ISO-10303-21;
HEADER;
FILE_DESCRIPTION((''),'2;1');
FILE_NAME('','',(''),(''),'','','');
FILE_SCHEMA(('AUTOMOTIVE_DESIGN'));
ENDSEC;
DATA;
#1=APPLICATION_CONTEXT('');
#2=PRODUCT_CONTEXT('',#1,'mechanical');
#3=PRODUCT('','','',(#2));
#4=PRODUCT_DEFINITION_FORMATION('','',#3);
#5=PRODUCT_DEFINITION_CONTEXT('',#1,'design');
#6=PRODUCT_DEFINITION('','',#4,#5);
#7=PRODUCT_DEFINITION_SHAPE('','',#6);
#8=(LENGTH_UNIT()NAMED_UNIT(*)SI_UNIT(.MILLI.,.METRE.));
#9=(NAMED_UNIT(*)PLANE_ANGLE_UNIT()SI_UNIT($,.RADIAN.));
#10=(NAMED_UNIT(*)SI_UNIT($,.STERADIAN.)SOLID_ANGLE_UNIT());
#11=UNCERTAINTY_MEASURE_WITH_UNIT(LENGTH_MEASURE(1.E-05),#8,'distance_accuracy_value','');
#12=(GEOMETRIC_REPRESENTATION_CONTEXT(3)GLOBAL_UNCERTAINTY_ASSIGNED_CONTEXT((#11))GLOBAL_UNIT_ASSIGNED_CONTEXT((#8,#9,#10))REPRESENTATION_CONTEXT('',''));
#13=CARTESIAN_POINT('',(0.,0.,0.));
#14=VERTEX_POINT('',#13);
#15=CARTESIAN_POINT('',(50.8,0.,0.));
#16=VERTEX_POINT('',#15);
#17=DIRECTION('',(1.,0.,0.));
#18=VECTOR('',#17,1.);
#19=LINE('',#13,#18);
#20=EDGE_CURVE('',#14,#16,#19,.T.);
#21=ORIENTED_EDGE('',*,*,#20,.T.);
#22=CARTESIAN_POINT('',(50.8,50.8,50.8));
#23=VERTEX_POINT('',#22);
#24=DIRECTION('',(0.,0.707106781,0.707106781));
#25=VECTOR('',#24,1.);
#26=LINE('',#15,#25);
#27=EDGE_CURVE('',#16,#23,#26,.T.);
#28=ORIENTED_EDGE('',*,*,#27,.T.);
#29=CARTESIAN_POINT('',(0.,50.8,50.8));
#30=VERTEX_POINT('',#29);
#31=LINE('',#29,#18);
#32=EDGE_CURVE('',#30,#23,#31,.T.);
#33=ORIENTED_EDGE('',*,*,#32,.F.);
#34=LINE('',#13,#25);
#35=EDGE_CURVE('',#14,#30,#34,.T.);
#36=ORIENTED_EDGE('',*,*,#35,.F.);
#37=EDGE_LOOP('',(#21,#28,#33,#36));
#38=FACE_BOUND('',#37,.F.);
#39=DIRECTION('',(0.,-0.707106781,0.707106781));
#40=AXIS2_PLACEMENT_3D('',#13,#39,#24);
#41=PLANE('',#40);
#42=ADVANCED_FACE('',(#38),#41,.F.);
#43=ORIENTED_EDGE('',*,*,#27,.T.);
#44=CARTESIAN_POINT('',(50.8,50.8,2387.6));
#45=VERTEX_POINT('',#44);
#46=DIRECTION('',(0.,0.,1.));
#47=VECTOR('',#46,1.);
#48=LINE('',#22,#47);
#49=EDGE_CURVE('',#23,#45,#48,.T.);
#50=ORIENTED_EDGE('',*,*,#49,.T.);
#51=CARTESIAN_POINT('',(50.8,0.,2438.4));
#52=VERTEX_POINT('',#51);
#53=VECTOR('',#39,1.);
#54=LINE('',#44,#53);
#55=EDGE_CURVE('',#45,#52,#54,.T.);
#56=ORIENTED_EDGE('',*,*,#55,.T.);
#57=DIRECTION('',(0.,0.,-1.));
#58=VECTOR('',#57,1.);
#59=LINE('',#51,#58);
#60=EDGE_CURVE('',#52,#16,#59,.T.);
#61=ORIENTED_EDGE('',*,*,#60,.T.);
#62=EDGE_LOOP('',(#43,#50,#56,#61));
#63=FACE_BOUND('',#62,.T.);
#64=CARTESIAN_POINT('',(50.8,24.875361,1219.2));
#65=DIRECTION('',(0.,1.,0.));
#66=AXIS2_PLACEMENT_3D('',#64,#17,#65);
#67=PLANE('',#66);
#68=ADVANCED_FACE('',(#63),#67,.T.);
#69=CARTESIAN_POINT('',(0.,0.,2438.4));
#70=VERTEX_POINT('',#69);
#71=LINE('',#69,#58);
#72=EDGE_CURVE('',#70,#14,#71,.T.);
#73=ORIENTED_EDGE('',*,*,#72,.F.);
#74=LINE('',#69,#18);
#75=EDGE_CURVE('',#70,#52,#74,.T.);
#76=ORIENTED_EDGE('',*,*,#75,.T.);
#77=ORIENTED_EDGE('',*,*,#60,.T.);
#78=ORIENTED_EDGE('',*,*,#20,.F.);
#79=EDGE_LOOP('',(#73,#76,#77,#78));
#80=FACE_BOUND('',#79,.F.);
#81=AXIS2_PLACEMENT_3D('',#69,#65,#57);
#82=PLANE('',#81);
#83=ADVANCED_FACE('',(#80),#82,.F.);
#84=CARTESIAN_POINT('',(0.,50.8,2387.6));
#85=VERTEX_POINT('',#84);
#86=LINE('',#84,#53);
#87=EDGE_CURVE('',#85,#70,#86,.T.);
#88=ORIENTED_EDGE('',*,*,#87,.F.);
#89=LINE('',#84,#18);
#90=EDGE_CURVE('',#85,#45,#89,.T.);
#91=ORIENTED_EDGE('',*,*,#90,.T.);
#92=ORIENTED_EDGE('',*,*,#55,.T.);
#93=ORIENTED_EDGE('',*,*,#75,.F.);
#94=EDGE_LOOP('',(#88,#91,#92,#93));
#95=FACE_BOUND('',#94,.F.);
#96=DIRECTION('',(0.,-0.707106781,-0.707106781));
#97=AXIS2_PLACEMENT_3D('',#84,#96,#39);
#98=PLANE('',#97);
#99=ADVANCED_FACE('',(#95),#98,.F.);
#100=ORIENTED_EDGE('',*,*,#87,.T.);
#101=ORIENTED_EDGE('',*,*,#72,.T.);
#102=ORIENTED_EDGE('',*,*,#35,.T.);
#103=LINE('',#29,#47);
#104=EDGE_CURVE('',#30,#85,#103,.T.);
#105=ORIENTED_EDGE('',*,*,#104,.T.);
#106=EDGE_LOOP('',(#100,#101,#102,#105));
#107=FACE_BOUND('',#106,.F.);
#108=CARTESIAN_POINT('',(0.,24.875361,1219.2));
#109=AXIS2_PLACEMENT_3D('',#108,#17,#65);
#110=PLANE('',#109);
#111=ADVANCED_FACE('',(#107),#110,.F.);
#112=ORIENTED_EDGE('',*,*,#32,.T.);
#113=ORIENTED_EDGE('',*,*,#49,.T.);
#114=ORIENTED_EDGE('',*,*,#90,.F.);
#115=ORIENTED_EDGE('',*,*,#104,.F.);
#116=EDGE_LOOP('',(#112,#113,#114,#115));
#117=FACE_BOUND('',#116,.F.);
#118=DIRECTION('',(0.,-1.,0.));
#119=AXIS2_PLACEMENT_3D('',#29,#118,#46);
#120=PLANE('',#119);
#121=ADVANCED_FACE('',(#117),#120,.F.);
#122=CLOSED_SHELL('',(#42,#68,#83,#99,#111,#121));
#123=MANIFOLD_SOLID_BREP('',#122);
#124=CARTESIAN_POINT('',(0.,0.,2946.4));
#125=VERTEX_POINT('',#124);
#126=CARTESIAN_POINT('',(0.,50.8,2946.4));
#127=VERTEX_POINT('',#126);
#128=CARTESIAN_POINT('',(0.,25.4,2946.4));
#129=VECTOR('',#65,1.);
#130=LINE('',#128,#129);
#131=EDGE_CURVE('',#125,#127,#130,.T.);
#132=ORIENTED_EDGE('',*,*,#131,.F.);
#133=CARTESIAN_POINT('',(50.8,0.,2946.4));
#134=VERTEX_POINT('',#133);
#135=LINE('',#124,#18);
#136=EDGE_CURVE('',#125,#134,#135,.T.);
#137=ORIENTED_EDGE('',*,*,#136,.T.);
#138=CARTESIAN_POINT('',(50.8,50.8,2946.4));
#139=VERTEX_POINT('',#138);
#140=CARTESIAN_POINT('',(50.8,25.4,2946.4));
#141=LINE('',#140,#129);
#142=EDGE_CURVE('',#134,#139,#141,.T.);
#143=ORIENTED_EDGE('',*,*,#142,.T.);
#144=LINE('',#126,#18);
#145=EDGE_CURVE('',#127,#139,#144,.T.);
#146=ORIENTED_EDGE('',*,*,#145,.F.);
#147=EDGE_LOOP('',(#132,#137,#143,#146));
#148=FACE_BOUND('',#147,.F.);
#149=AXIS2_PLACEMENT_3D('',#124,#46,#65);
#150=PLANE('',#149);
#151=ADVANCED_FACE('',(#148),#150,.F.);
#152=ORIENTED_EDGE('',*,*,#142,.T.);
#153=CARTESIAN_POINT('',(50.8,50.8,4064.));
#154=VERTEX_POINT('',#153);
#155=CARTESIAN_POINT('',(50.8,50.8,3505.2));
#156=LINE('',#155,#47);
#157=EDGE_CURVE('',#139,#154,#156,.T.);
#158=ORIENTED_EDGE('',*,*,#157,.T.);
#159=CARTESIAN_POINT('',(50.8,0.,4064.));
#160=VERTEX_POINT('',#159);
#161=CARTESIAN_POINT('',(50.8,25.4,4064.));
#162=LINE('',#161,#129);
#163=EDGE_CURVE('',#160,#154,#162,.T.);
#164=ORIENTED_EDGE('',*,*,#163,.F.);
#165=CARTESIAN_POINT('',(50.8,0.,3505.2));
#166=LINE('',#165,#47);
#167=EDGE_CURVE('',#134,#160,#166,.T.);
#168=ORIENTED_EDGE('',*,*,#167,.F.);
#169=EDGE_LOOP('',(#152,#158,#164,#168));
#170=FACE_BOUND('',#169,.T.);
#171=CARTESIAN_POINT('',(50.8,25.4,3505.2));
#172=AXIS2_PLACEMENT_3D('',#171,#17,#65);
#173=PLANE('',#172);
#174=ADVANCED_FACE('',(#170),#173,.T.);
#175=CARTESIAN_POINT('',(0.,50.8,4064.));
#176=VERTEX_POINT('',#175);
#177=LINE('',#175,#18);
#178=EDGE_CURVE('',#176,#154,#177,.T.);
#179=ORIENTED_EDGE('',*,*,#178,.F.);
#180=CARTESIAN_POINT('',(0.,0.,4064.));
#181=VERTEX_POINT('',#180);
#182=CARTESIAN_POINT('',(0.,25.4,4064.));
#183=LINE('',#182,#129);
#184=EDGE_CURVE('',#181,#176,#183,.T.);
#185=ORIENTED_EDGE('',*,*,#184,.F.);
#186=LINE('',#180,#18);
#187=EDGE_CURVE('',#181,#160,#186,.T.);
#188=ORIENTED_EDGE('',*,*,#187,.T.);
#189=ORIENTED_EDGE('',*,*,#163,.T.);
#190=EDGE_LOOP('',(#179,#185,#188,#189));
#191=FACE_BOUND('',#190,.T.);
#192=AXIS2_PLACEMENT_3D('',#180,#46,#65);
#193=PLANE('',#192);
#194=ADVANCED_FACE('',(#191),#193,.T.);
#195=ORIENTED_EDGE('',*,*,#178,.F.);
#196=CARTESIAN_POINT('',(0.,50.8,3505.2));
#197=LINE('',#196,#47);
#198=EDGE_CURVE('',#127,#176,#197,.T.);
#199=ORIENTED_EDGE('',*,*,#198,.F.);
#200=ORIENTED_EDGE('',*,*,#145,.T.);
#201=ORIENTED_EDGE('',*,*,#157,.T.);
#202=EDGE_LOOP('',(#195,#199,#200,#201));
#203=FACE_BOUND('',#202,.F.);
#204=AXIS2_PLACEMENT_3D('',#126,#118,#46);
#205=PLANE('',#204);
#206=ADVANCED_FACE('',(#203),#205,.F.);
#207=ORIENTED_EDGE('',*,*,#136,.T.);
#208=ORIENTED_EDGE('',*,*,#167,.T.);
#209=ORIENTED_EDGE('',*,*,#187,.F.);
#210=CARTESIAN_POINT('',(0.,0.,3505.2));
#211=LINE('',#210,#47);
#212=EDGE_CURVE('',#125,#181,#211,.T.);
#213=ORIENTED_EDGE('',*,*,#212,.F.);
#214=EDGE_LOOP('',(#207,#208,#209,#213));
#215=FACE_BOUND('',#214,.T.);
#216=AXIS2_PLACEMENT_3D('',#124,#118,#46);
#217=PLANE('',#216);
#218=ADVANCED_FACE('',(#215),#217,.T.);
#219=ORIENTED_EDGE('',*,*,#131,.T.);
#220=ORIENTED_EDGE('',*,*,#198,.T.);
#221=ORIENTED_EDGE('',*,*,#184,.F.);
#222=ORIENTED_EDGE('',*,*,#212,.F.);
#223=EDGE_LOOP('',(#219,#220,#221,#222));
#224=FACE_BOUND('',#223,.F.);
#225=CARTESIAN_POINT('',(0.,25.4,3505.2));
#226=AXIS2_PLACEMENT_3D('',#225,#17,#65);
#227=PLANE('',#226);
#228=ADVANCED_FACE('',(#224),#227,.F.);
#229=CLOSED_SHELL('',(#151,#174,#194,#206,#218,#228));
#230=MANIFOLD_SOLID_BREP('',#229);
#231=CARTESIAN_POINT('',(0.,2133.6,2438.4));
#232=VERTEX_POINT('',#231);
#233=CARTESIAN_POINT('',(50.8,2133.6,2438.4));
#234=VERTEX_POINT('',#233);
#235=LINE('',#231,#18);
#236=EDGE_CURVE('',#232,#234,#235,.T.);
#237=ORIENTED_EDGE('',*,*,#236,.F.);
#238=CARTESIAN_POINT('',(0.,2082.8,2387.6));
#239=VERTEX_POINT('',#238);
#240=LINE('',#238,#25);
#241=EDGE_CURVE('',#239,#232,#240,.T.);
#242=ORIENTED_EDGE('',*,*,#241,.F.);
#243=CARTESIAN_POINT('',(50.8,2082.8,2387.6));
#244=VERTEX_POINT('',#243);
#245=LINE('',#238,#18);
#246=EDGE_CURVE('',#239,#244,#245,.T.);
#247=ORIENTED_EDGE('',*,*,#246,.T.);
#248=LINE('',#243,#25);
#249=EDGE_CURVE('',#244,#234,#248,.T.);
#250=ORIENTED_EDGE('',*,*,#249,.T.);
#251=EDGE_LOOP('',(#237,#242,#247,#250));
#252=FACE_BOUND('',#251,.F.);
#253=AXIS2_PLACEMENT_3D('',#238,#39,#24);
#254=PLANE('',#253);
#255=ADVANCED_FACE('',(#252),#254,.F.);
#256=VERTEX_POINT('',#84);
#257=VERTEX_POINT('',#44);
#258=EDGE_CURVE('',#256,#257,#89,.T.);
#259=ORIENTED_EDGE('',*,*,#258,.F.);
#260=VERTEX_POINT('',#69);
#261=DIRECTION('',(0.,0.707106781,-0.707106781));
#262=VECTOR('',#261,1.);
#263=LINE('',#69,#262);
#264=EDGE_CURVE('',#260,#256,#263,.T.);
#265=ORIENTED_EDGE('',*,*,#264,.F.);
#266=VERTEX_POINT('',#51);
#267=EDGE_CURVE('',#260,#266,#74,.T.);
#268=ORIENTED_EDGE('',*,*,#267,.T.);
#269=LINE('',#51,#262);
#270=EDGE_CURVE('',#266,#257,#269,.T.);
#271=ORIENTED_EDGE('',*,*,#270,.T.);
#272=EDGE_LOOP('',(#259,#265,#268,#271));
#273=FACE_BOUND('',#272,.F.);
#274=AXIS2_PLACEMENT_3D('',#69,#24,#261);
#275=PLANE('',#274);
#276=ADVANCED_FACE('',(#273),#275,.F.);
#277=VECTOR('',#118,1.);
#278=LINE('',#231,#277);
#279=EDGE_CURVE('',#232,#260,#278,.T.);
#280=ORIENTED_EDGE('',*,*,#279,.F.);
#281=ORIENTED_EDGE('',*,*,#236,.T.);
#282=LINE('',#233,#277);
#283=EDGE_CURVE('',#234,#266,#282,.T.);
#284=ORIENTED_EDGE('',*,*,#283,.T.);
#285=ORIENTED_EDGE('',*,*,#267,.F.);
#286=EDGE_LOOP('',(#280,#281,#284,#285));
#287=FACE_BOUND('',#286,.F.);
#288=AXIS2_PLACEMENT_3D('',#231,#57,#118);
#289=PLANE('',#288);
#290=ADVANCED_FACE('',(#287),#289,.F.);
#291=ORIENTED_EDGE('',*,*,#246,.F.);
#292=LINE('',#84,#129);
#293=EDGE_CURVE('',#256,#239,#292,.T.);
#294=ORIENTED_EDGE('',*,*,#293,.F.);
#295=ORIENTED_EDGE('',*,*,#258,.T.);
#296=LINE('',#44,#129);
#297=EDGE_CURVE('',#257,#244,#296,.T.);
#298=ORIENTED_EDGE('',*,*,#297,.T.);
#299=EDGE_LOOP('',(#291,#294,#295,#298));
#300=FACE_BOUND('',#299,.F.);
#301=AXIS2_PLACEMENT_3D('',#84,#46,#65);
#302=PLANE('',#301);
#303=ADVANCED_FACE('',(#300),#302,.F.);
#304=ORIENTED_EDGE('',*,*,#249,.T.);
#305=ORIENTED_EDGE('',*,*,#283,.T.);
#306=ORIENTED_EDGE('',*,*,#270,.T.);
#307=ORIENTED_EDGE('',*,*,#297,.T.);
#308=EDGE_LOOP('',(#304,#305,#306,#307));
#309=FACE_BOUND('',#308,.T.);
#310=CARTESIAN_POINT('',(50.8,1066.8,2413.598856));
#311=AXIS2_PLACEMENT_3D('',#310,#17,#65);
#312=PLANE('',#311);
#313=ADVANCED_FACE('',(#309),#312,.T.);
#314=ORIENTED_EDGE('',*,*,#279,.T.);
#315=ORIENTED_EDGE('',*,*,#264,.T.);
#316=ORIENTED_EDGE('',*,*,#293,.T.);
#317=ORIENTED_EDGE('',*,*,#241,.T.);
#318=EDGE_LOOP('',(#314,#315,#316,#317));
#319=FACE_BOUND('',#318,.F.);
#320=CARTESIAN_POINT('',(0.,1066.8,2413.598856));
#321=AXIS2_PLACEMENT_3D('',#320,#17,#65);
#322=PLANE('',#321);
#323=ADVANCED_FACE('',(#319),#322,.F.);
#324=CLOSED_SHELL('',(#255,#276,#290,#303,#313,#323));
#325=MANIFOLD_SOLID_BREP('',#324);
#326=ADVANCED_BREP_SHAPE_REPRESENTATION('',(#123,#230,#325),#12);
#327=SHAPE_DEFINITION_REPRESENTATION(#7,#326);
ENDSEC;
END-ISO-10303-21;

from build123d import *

# Parameters (mm, degrees)
F2_DEPTH = 50.8
F4_DEPTH = 50.8
F5_W     = 50.8
F5_H     = 1117.6
F6_DEPTH = 50.8


with BuildPart() as f2:
    # F1 (on Right) → F2 (new body)
    with BuildSketch(Plane.YZ):
        Polygon((50.8, 2387.6), (0, 2438.4), (0, 0), (50.8, 50.8), align=None)
    extrude(amount=F2_DEPTH)


with BuildPart() as f4:
    # F3 (on Right) → F4 (new body)
    with BuildSketch(Plane.YZ):
        Polygon((2133.6, 2438.4), (0, 2438.4), (50.8, 2387.6), (2082.8, 2387.6), align=None)
    extrude(amount=F4_DEPTH)


with BuildPart() as f6:
    # F5 (on Right) → F6 (new body)
    with BuildSketch(Plane.YZ):
        with Locations((25.4, 3505.2)):
            Rectangle(F5_W, F5_H)
    extrude(amount=F6_DEPTH)


solid = Compound([f2.part, f4.part, f6.part])
